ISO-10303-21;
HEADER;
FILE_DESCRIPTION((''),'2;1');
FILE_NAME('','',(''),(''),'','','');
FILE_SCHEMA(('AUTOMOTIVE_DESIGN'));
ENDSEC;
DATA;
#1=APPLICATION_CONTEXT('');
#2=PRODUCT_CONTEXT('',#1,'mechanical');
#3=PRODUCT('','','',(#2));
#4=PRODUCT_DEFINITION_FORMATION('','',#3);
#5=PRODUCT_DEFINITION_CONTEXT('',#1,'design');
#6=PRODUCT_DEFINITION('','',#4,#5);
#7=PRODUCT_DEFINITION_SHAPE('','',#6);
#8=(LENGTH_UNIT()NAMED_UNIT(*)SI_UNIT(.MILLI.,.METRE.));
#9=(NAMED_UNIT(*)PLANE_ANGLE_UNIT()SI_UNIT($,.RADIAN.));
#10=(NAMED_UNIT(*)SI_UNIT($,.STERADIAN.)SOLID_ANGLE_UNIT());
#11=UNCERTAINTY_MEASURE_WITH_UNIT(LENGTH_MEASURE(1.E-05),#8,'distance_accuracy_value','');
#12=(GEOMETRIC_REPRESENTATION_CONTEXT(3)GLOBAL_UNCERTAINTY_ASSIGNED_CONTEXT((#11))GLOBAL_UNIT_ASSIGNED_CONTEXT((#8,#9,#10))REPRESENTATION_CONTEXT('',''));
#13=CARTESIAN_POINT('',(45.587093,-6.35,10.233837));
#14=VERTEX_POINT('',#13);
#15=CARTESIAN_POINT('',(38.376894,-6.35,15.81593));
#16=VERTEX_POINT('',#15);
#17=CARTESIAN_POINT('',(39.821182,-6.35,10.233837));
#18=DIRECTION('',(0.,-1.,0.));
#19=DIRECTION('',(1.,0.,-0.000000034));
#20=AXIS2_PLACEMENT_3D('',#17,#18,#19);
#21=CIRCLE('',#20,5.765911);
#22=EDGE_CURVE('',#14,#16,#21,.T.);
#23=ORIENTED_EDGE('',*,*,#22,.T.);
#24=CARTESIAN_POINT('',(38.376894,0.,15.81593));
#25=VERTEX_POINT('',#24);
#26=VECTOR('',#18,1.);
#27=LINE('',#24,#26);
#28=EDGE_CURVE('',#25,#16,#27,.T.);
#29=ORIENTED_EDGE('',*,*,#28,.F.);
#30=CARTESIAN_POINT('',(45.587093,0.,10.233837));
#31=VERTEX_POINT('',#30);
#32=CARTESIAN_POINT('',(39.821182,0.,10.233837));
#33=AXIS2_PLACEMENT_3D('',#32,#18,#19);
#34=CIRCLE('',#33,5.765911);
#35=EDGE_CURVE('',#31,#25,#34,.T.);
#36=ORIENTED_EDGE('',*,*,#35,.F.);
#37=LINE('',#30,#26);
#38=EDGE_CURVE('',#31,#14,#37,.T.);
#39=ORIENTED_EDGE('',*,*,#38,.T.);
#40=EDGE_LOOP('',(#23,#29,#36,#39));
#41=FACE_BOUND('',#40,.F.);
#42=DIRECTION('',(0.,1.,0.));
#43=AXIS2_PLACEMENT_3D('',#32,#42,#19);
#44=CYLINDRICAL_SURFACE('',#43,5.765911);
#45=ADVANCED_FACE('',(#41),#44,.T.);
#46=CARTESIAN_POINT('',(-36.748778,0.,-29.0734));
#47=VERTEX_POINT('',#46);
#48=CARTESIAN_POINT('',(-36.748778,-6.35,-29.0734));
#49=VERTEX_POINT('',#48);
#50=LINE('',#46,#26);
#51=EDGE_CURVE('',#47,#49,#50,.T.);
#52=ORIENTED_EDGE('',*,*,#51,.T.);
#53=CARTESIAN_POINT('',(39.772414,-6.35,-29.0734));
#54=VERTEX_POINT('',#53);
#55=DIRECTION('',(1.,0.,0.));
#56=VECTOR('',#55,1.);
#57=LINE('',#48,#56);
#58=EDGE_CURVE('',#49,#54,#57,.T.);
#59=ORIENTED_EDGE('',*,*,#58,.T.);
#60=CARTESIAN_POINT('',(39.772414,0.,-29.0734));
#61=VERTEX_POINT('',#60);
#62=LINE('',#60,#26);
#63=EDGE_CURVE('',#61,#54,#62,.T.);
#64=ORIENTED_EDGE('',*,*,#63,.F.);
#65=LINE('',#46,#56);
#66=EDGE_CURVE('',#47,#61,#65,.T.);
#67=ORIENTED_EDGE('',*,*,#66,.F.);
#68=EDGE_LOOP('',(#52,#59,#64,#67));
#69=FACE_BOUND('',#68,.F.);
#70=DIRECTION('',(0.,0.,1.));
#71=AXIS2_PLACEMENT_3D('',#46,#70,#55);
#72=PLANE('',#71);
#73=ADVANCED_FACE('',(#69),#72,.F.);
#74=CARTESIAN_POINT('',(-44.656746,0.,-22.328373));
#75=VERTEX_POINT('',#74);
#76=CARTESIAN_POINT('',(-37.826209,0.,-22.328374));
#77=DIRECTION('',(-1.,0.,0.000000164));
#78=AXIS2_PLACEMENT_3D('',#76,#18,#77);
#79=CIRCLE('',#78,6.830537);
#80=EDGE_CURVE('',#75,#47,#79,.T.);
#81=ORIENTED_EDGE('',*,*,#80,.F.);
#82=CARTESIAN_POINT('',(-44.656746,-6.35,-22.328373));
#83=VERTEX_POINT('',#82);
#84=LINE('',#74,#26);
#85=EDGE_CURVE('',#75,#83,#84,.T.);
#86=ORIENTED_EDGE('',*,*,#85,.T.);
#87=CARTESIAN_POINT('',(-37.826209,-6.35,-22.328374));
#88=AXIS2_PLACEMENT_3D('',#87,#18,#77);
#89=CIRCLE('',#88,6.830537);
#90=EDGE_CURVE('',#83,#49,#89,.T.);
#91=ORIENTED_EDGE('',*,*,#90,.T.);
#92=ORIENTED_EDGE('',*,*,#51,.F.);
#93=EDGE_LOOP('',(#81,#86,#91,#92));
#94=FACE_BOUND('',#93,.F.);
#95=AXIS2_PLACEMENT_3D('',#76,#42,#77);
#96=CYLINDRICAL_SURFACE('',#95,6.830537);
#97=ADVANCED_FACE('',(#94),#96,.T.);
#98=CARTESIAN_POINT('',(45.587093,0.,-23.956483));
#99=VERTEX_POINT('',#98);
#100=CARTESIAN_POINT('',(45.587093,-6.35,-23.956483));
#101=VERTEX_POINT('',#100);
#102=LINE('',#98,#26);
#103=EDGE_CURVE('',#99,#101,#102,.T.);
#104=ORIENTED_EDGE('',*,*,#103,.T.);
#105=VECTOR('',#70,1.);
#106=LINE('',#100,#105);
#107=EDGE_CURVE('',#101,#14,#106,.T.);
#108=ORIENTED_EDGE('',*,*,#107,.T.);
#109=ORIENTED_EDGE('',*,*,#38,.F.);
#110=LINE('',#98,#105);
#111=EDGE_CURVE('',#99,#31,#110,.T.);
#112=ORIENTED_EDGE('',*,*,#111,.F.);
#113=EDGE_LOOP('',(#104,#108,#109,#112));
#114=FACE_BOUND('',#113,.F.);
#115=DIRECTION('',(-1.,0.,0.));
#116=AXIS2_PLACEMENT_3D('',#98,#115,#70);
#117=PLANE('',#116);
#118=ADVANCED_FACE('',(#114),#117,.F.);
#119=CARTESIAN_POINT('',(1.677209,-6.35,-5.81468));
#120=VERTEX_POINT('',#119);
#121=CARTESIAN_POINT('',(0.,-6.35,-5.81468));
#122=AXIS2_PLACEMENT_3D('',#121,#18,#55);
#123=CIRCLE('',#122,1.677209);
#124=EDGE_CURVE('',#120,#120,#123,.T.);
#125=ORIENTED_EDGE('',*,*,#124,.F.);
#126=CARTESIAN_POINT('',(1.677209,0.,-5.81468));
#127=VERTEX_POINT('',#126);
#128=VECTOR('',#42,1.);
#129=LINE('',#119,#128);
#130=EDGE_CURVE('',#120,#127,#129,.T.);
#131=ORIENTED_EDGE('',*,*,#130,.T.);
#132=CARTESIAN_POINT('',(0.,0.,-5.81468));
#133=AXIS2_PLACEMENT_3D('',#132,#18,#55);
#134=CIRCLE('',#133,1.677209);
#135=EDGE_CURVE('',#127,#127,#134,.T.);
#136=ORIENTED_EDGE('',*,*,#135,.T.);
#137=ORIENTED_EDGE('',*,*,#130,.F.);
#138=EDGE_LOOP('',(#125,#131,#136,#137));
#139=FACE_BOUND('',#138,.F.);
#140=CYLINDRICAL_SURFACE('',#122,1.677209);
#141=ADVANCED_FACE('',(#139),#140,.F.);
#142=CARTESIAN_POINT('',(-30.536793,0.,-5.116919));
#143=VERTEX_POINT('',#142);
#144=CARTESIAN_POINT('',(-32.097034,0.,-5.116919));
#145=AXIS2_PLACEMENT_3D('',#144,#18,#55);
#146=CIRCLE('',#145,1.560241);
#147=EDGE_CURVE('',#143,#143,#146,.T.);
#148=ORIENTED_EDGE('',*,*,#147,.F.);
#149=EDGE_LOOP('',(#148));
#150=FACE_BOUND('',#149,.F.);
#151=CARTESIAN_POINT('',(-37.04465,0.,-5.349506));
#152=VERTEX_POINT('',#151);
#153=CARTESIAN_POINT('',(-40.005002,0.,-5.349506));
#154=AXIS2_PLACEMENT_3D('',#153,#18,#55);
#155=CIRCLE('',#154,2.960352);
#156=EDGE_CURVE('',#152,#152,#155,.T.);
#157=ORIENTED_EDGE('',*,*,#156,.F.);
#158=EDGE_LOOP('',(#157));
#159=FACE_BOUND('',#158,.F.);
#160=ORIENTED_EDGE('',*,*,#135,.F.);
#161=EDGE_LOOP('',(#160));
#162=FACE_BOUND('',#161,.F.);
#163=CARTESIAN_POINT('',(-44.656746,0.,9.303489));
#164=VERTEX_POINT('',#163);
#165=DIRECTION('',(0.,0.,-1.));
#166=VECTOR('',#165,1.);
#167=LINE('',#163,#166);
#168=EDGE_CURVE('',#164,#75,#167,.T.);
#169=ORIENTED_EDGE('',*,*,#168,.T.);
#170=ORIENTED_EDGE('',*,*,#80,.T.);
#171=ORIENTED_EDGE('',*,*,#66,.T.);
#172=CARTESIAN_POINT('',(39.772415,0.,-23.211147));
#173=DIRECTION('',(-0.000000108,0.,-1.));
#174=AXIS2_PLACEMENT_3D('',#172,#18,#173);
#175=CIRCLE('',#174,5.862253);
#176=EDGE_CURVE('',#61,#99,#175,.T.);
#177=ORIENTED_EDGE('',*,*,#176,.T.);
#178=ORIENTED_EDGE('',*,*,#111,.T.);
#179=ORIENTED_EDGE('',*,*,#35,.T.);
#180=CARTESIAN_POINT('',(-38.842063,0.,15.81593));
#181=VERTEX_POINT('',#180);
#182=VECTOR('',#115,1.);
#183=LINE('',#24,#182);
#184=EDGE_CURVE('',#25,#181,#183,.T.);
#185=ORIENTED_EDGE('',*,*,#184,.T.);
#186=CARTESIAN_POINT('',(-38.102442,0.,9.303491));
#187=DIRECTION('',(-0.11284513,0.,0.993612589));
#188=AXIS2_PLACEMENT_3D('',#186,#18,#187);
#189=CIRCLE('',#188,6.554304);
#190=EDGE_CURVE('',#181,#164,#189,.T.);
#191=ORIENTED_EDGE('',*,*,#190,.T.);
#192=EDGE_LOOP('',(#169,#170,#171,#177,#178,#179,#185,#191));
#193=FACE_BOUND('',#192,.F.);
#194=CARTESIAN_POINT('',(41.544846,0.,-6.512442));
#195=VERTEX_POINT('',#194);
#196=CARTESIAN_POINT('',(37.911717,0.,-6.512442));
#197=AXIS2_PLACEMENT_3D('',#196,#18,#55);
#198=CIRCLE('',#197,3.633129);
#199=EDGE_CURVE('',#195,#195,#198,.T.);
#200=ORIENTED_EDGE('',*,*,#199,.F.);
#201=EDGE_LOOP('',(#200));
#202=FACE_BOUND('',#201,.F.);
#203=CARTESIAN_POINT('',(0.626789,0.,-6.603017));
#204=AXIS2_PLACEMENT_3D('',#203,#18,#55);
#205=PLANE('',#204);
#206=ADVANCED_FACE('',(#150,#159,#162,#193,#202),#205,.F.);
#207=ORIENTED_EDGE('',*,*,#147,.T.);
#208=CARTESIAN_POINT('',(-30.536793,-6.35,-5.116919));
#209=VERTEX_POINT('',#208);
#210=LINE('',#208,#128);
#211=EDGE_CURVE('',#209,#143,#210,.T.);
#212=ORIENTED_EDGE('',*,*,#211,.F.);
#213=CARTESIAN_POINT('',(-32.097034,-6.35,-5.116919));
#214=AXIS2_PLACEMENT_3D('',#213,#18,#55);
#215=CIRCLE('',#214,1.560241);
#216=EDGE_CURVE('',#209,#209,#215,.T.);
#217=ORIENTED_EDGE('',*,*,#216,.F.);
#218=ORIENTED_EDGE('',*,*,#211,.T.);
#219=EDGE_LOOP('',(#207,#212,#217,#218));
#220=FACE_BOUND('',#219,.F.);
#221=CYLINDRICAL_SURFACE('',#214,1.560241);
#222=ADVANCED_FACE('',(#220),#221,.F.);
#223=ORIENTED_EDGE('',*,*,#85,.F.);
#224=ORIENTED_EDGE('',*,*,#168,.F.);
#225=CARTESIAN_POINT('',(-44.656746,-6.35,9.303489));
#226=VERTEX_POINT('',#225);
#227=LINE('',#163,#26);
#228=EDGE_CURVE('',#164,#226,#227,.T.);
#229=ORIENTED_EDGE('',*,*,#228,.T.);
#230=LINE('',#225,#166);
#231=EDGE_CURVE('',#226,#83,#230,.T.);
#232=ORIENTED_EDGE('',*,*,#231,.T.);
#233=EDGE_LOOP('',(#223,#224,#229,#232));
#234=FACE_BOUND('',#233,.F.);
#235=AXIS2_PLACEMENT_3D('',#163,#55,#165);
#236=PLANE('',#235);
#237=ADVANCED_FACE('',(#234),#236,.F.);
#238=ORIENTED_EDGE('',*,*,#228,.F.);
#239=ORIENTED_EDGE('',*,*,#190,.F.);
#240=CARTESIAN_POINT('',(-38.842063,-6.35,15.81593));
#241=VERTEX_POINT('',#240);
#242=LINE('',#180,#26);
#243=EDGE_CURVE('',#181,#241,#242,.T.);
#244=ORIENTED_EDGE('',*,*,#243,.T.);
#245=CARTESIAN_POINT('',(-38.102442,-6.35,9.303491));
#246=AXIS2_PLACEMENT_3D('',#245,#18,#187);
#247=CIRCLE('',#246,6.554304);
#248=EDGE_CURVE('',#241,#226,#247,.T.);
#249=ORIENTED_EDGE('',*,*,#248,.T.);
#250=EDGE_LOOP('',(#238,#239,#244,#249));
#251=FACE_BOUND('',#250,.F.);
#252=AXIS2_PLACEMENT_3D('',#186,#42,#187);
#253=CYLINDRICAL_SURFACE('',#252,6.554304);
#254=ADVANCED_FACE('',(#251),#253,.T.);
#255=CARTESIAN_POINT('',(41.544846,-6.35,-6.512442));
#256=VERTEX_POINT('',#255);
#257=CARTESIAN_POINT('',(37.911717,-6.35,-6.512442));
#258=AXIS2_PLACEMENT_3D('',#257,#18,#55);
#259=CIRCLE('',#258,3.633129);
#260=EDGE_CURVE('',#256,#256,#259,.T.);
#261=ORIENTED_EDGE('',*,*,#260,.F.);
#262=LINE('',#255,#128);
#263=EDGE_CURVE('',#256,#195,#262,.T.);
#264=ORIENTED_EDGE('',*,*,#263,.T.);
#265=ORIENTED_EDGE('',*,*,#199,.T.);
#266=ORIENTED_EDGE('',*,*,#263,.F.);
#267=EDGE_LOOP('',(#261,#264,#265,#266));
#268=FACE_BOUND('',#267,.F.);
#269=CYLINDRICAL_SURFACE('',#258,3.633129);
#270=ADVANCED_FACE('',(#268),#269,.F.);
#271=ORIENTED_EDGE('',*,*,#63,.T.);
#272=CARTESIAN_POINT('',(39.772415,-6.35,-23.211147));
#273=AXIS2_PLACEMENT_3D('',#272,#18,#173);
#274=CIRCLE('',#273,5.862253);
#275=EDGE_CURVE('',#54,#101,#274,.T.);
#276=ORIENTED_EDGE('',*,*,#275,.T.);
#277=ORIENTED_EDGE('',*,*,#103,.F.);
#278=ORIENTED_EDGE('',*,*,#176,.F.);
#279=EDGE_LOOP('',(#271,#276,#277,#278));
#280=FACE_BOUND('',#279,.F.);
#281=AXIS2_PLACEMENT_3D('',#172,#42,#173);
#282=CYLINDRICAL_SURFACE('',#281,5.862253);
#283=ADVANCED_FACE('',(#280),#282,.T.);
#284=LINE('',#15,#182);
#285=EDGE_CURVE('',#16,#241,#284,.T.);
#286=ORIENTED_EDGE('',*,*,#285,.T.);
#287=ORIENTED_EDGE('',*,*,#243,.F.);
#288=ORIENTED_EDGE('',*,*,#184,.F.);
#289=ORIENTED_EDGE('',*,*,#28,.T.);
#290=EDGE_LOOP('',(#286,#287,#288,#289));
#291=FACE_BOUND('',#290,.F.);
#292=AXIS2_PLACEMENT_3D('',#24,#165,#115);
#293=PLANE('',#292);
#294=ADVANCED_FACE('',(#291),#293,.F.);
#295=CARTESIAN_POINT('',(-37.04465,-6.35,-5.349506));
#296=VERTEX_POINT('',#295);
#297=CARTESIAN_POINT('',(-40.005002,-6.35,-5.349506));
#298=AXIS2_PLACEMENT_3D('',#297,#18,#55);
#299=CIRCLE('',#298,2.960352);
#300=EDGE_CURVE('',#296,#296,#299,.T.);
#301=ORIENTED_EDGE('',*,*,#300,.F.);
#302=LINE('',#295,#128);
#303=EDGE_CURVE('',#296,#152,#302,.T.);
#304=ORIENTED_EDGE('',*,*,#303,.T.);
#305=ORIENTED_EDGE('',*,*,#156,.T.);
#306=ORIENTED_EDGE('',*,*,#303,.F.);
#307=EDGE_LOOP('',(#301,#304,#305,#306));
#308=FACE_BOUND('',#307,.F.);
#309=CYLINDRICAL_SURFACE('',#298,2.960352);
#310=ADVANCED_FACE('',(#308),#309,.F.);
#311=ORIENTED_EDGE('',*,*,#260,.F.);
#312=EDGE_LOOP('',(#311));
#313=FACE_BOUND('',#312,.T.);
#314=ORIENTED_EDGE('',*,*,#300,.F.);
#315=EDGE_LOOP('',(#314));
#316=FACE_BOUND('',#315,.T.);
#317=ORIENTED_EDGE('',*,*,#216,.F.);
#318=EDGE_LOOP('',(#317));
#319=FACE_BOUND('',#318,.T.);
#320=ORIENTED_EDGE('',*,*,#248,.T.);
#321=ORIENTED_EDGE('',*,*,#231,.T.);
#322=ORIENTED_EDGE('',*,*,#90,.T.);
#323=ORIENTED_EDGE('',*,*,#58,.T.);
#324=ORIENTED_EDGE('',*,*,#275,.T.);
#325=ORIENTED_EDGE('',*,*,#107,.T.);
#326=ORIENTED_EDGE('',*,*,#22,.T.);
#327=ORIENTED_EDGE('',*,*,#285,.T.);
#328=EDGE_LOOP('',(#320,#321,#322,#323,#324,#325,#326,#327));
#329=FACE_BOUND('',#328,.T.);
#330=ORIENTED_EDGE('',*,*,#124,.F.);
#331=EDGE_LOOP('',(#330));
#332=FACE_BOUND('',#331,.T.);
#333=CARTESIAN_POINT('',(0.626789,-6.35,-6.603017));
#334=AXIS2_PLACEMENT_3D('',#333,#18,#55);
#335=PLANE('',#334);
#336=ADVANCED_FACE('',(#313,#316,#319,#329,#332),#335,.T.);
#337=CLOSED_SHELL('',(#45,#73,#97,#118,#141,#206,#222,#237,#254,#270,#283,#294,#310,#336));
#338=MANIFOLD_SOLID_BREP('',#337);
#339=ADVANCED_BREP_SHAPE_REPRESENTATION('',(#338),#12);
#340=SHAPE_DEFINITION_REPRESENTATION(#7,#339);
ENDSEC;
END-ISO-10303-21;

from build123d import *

# Parameters (mm, degrees)
F1_DEPTH = 6.35
F2_R     = 2.960352
F2_R_2   = 1.560241
F2_R_3   = 1.677209
F2_R_4   = 3.633129
F3_DEPTH = 25.4


with BuildPart() as f1:
    # F0 (on Front) → F1 (new body)
    with BuildSketch(Plane.XZ):
        with BuildLine():
            ThreePointArc((-38.842063, 15.81593), (-42.991543, 13.668762), (-44.656746, 9.303489))
            Line((-44.656746, 9.303489), (-44.656746, -22.328373))
            ThreePointArc((-44.656746, -22.328373), (-42.258861, -27.52528), (-36.748778, -29.0734))
            Line((-36.748778, -29.0734), (39.772414, -29.0734))
            ThreePointArc((39.772414, -29.0734), (43.645182, -27.61202), (45.587093, -23.956483))
            Line((45.587093, -23.956483), (45.587093, 10.233837))
            ThreePointArc((45.587093, 10.233837), (43.350919, 14.793079), (38.376894, 15.81593))
            Line((38.376894, 15.81593), (-38.842063, 15.81593))
        make_face()
    extrude(amount=F1_DEPTH)

    # F2 (on face) → F3 (cut)
    with BuildSketch(Plane.XZ.offset(6.35)):
        with Locations((-40.005002, -5.349506)):
            Circle(F2_R)
        with Locations((-32.097034, -5.116919)):
            Circle(F2_R_2)
        with Locations((0, -5.81468)):
            Circle(F2_R_3)
        with Locations((37.911717, -6.512442)):
            Circle(F2_R_4)
    extrude(amount=-F3_DEPTH, mode=Mode.SUBTRACT)


solid = f1.part
